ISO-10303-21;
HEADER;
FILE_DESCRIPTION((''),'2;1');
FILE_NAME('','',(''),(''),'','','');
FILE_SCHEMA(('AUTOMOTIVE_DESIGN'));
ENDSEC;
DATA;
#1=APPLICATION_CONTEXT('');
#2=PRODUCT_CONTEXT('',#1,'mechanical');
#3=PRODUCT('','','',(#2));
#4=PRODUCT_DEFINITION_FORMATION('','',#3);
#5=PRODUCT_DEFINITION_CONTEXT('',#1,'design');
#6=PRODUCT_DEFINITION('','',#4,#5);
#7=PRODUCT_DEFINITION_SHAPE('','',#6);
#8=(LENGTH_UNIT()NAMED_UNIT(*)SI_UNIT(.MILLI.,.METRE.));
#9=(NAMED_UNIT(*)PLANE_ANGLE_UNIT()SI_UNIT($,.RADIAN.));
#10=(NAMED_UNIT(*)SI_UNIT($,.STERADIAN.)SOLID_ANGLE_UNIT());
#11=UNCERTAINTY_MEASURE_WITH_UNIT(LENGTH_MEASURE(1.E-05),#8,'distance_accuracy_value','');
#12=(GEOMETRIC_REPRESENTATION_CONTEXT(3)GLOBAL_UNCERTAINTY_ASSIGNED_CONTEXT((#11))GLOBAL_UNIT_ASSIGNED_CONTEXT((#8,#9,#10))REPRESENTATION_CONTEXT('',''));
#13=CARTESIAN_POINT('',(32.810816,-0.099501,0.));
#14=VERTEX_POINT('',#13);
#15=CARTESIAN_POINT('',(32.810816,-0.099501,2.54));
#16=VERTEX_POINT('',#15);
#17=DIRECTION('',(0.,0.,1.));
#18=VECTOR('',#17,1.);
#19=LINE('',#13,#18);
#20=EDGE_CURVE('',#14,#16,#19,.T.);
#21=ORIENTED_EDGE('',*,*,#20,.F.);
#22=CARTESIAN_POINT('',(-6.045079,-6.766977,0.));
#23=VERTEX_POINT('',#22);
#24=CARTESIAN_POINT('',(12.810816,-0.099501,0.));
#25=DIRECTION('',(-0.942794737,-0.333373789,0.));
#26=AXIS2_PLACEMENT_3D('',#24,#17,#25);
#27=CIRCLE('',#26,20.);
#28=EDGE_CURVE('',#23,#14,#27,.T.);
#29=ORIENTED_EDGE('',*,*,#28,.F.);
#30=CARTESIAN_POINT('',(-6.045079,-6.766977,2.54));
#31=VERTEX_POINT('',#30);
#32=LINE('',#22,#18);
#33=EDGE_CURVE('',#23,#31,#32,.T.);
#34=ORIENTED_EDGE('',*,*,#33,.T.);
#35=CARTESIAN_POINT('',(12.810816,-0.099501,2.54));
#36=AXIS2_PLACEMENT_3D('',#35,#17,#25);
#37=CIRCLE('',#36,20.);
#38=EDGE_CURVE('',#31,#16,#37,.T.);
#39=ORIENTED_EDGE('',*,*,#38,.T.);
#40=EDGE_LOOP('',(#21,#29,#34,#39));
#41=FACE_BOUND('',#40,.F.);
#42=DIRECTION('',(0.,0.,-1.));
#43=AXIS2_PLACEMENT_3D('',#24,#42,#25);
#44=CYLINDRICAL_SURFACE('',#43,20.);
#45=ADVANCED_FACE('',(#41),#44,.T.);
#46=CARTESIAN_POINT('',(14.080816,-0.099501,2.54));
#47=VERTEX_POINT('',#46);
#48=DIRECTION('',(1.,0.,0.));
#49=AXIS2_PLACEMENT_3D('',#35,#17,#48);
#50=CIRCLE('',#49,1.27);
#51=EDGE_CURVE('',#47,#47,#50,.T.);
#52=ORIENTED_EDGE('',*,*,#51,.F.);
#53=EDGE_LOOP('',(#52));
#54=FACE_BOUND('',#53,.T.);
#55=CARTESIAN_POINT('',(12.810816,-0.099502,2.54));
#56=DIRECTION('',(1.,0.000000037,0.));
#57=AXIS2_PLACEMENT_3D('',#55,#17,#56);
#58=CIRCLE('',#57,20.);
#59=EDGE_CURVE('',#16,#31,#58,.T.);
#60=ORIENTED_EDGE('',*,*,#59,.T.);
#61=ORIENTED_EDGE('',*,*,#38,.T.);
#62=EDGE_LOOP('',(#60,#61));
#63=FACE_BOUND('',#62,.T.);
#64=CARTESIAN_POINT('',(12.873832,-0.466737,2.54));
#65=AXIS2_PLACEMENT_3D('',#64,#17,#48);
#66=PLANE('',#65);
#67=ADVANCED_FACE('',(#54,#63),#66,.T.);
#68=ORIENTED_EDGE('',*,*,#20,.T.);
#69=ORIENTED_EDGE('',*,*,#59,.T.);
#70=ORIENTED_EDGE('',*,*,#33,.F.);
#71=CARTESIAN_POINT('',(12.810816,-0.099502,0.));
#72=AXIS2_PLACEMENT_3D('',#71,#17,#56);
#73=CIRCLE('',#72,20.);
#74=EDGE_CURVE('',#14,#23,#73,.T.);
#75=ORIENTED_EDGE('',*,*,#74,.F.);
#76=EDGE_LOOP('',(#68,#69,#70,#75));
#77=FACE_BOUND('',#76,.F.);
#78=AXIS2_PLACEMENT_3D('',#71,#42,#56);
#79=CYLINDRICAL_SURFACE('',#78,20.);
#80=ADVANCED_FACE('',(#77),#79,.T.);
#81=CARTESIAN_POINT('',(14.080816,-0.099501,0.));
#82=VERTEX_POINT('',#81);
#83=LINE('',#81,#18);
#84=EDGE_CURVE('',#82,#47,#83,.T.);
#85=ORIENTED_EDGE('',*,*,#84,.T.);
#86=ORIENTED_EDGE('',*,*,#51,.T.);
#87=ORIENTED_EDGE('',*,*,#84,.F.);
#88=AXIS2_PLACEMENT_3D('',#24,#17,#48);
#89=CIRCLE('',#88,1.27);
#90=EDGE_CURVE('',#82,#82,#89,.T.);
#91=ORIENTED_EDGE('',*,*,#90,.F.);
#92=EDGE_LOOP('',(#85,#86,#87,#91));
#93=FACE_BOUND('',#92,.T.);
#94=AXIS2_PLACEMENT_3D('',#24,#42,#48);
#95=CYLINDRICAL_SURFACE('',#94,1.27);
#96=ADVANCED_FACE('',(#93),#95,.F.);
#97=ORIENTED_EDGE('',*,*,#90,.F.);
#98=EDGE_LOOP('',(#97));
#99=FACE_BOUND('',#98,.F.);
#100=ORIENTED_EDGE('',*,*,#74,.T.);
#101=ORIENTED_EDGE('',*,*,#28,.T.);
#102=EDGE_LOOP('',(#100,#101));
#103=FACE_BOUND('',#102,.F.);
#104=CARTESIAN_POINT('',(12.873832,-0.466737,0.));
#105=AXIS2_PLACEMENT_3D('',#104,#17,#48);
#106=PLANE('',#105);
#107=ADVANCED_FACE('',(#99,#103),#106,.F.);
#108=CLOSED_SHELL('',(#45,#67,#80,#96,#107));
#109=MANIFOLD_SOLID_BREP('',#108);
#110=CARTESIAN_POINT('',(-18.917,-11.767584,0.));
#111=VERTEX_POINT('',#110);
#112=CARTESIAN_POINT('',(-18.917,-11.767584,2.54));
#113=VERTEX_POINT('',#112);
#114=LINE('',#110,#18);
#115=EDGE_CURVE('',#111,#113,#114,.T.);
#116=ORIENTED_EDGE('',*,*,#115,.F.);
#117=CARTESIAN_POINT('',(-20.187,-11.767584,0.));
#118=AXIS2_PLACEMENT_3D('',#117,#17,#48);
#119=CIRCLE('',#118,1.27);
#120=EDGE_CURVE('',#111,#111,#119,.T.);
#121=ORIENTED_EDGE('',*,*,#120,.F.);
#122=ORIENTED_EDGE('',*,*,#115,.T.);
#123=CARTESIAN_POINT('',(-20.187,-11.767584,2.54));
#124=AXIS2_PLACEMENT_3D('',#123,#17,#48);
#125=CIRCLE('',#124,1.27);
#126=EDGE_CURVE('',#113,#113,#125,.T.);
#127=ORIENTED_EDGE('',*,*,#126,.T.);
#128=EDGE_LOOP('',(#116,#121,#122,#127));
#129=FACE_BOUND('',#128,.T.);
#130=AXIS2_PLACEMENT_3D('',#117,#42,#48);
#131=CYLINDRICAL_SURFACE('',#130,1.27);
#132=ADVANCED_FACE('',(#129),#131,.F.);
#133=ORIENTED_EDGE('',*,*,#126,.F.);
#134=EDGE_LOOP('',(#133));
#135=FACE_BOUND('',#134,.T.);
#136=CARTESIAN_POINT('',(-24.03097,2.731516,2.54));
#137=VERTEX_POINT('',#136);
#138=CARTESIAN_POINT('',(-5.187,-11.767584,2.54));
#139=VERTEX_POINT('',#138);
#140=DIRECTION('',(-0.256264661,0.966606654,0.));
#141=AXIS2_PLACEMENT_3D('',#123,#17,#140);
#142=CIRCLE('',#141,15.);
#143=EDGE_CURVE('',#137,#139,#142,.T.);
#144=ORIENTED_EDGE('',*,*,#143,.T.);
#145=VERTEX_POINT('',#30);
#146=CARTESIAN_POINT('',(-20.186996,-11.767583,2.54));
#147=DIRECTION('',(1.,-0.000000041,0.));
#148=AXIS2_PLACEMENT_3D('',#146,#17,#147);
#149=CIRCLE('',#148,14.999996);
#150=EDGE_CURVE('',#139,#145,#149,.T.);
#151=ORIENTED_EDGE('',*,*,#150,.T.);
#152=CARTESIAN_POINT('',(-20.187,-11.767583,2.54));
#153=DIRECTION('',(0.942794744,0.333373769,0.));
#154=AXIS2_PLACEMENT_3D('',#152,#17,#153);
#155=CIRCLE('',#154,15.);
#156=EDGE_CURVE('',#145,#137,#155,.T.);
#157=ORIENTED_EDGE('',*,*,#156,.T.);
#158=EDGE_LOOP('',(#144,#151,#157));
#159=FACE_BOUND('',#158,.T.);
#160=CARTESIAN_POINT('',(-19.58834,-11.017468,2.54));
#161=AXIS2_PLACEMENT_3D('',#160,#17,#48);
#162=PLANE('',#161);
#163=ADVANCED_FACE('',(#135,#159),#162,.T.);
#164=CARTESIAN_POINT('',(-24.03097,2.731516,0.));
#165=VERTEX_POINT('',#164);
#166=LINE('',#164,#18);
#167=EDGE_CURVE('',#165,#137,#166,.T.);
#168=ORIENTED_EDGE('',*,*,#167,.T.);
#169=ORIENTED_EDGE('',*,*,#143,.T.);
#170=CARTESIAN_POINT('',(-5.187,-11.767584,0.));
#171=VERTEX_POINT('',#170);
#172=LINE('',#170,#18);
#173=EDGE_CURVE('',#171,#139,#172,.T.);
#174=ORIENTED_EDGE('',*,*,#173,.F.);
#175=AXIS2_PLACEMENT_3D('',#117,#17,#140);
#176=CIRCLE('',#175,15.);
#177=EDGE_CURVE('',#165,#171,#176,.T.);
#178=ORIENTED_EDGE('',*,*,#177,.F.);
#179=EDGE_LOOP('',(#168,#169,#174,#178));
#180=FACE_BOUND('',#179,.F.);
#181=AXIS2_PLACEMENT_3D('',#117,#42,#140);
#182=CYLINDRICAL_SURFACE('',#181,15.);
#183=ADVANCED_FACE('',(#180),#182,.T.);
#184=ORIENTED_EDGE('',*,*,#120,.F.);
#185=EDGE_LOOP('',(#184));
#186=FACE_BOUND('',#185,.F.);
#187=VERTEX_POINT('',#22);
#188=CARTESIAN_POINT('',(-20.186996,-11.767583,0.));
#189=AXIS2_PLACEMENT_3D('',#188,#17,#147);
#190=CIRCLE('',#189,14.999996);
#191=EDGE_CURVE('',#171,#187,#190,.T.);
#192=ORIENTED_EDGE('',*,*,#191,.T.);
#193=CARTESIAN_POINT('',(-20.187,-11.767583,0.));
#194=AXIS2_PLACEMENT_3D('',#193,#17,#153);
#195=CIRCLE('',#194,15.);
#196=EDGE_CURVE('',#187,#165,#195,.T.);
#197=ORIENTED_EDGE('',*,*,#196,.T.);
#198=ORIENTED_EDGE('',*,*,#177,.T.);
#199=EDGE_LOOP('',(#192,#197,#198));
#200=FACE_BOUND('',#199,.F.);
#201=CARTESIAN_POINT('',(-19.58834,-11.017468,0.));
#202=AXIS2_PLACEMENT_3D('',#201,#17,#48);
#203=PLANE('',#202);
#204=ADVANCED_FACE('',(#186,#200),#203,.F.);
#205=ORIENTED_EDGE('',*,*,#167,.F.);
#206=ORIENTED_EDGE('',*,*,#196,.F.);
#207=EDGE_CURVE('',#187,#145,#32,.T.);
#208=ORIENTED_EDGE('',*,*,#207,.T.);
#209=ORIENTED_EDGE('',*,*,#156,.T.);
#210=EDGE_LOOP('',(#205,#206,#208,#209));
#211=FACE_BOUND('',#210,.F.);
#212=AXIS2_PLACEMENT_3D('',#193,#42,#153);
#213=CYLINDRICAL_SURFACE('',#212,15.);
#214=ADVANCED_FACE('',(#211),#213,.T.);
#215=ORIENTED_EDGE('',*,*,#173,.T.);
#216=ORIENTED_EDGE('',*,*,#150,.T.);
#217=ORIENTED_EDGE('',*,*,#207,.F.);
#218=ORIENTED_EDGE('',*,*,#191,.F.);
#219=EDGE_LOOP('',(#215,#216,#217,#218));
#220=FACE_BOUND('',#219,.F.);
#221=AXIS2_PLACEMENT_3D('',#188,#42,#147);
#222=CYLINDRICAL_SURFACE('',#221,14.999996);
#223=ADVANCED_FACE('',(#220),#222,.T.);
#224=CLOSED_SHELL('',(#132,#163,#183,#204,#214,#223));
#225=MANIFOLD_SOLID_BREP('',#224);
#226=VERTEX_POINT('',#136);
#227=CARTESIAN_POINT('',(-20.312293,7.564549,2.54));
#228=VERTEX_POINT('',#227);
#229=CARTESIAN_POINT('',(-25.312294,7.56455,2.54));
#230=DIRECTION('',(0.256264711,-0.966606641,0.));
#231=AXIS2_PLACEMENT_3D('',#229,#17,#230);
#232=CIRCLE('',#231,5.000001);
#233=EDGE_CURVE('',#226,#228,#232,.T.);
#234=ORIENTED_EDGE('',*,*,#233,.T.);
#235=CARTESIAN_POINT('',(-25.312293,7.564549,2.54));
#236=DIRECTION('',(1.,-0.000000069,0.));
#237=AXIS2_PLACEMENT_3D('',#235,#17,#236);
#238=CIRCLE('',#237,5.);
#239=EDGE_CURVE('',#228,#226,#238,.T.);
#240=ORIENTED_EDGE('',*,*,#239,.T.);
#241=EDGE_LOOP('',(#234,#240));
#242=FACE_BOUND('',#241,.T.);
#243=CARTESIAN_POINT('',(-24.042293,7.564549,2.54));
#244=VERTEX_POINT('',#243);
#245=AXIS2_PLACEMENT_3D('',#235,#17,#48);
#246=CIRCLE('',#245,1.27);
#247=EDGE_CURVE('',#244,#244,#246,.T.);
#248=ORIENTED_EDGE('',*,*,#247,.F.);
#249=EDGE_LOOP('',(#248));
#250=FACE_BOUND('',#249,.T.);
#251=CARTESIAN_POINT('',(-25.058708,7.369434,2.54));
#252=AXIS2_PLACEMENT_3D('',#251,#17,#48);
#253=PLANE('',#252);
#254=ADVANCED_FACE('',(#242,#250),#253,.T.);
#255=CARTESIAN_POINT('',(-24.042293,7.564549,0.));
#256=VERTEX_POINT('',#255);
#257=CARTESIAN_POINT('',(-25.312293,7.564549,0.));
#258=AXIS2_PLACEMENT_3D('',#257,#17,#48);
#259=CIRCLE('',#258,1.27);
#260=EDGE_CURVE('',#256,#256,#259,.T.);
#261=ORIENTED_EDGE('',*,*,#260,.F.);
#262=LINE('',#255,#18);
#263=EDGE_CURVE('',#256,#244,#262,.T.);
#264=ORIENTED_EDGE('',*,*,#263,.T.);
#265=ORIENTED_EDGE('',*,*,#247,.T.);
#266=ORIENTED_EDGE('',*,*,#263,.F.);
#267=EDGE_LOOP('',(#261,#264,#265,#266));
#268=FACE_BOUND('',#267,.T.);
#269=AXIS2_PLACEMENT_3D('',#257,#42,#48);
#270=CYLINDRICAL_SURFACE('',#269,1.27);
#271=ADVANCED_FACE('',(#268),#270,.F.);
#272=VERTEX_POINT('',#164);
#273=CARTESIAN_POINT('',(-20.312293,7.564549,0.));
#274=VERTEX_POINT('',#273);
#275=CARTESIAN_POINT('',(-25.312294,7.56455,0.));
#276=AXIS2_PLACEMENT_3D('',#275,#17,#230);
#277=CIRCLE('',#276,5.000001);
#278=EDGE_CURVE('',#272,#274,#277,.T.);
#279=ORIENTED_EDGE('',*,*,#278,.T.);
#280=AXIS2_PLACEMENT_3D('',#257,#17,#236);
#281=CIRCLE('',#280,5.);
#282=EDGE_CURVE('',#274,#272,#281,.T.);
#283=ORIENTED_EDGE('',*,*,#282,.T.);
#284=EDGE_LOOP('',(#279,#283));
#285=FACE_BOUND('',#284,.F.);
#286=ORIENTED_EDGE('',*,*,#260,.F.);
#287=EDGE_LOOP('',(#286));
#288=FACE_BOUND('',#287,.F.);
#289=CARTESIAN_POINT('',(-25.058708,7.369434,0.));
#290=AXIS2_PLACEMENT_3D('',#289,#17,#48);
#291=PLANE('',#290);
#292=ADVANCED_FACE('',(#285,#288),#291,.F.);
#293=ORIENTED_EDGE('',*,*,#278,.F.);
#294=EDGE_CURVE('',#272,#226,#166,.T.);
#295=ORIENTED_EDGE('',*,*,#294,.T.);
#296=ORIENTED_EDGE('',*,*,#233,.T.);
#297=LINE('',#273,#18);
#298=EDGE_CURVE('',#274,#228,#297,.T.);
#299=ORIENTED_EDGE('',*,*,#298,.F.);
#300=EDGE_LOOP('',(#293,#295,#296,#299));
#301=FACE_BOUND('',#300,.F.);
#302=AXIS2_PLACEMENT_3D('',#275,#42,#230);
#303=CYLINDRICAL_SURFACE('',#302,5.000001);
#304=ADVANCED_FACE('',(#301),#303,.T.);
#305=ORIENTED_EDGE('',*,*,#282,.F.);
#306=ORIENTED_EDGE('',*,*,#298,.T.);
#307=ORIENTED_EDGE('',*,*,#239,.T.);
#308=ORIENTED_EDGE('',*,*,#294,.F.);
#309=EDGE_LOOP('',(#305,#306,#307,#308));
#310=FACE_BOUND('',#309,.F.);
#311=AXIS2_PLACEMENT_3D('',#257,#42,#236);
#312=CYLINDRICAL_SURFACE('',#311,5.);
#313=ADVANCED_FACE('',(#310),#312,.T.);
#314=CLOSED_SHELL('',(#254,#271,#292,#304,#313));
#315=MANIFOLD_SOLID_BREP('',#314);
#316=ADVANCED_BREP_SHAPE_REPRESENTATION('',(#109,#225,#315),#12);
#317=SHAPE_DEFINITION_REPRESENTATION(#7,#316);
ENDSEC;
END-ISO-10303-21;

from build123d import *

# Parameters (mm, degrees)
F0_R     = 1.27
F1_DEPTH = 2.54


with BuildPart() as f1:
    # F0 (on Top) → F1 (new body)
    with BuildSketch(Plane.XY):
        with BuildLine():
            ThreePointArc((-20.312293, 7.564549), (-29.275033, 10.613597), (-24.03097, 2.731516))
            ThreePointArc((-24.03097, 2.731516), (-21.349553, 4.515502), (-20.312293, 7.564549))
        make_face()
        with Locations((-25.312293, 7.564549)):
            Circle(F0_R, mode=Mode.SUBTRACT)
        with BuildLine():
            ThreePointArc((-24.03097, 2.731516), (-29.334143, -23.655804), (-5.187, -11.767584))
            ThreePointArc((-5.187, -11.767584), (-5.403076, -9.230737), (-6.045079, -6.766977))
            ThreePointArc((-6.045079, -6.766977), (-13.182195, 1.496379), (-24.03097, 2.731516))
        make_face()
        with Locations((-20.187, -11.767584)):
            Circle(F0_R, mode=Mode.SUBTRACT)
        with BuildLine():
            ThreePointArc((32.810816, -0.099501), (9.428354, 19.612397), (-6.045079, -6.766977))
            ThreePointArc((-6.045079, -6.766977), (16.193278, -19.8114), (32.810816, -0.099501))
        make_face()
        with Locations((12.810816, -0.099501)):
            Circle(F0_R, mode=Mode.SUBTRACT)
    extrude(amount=F1_DEPTH)


solid = f1.part
